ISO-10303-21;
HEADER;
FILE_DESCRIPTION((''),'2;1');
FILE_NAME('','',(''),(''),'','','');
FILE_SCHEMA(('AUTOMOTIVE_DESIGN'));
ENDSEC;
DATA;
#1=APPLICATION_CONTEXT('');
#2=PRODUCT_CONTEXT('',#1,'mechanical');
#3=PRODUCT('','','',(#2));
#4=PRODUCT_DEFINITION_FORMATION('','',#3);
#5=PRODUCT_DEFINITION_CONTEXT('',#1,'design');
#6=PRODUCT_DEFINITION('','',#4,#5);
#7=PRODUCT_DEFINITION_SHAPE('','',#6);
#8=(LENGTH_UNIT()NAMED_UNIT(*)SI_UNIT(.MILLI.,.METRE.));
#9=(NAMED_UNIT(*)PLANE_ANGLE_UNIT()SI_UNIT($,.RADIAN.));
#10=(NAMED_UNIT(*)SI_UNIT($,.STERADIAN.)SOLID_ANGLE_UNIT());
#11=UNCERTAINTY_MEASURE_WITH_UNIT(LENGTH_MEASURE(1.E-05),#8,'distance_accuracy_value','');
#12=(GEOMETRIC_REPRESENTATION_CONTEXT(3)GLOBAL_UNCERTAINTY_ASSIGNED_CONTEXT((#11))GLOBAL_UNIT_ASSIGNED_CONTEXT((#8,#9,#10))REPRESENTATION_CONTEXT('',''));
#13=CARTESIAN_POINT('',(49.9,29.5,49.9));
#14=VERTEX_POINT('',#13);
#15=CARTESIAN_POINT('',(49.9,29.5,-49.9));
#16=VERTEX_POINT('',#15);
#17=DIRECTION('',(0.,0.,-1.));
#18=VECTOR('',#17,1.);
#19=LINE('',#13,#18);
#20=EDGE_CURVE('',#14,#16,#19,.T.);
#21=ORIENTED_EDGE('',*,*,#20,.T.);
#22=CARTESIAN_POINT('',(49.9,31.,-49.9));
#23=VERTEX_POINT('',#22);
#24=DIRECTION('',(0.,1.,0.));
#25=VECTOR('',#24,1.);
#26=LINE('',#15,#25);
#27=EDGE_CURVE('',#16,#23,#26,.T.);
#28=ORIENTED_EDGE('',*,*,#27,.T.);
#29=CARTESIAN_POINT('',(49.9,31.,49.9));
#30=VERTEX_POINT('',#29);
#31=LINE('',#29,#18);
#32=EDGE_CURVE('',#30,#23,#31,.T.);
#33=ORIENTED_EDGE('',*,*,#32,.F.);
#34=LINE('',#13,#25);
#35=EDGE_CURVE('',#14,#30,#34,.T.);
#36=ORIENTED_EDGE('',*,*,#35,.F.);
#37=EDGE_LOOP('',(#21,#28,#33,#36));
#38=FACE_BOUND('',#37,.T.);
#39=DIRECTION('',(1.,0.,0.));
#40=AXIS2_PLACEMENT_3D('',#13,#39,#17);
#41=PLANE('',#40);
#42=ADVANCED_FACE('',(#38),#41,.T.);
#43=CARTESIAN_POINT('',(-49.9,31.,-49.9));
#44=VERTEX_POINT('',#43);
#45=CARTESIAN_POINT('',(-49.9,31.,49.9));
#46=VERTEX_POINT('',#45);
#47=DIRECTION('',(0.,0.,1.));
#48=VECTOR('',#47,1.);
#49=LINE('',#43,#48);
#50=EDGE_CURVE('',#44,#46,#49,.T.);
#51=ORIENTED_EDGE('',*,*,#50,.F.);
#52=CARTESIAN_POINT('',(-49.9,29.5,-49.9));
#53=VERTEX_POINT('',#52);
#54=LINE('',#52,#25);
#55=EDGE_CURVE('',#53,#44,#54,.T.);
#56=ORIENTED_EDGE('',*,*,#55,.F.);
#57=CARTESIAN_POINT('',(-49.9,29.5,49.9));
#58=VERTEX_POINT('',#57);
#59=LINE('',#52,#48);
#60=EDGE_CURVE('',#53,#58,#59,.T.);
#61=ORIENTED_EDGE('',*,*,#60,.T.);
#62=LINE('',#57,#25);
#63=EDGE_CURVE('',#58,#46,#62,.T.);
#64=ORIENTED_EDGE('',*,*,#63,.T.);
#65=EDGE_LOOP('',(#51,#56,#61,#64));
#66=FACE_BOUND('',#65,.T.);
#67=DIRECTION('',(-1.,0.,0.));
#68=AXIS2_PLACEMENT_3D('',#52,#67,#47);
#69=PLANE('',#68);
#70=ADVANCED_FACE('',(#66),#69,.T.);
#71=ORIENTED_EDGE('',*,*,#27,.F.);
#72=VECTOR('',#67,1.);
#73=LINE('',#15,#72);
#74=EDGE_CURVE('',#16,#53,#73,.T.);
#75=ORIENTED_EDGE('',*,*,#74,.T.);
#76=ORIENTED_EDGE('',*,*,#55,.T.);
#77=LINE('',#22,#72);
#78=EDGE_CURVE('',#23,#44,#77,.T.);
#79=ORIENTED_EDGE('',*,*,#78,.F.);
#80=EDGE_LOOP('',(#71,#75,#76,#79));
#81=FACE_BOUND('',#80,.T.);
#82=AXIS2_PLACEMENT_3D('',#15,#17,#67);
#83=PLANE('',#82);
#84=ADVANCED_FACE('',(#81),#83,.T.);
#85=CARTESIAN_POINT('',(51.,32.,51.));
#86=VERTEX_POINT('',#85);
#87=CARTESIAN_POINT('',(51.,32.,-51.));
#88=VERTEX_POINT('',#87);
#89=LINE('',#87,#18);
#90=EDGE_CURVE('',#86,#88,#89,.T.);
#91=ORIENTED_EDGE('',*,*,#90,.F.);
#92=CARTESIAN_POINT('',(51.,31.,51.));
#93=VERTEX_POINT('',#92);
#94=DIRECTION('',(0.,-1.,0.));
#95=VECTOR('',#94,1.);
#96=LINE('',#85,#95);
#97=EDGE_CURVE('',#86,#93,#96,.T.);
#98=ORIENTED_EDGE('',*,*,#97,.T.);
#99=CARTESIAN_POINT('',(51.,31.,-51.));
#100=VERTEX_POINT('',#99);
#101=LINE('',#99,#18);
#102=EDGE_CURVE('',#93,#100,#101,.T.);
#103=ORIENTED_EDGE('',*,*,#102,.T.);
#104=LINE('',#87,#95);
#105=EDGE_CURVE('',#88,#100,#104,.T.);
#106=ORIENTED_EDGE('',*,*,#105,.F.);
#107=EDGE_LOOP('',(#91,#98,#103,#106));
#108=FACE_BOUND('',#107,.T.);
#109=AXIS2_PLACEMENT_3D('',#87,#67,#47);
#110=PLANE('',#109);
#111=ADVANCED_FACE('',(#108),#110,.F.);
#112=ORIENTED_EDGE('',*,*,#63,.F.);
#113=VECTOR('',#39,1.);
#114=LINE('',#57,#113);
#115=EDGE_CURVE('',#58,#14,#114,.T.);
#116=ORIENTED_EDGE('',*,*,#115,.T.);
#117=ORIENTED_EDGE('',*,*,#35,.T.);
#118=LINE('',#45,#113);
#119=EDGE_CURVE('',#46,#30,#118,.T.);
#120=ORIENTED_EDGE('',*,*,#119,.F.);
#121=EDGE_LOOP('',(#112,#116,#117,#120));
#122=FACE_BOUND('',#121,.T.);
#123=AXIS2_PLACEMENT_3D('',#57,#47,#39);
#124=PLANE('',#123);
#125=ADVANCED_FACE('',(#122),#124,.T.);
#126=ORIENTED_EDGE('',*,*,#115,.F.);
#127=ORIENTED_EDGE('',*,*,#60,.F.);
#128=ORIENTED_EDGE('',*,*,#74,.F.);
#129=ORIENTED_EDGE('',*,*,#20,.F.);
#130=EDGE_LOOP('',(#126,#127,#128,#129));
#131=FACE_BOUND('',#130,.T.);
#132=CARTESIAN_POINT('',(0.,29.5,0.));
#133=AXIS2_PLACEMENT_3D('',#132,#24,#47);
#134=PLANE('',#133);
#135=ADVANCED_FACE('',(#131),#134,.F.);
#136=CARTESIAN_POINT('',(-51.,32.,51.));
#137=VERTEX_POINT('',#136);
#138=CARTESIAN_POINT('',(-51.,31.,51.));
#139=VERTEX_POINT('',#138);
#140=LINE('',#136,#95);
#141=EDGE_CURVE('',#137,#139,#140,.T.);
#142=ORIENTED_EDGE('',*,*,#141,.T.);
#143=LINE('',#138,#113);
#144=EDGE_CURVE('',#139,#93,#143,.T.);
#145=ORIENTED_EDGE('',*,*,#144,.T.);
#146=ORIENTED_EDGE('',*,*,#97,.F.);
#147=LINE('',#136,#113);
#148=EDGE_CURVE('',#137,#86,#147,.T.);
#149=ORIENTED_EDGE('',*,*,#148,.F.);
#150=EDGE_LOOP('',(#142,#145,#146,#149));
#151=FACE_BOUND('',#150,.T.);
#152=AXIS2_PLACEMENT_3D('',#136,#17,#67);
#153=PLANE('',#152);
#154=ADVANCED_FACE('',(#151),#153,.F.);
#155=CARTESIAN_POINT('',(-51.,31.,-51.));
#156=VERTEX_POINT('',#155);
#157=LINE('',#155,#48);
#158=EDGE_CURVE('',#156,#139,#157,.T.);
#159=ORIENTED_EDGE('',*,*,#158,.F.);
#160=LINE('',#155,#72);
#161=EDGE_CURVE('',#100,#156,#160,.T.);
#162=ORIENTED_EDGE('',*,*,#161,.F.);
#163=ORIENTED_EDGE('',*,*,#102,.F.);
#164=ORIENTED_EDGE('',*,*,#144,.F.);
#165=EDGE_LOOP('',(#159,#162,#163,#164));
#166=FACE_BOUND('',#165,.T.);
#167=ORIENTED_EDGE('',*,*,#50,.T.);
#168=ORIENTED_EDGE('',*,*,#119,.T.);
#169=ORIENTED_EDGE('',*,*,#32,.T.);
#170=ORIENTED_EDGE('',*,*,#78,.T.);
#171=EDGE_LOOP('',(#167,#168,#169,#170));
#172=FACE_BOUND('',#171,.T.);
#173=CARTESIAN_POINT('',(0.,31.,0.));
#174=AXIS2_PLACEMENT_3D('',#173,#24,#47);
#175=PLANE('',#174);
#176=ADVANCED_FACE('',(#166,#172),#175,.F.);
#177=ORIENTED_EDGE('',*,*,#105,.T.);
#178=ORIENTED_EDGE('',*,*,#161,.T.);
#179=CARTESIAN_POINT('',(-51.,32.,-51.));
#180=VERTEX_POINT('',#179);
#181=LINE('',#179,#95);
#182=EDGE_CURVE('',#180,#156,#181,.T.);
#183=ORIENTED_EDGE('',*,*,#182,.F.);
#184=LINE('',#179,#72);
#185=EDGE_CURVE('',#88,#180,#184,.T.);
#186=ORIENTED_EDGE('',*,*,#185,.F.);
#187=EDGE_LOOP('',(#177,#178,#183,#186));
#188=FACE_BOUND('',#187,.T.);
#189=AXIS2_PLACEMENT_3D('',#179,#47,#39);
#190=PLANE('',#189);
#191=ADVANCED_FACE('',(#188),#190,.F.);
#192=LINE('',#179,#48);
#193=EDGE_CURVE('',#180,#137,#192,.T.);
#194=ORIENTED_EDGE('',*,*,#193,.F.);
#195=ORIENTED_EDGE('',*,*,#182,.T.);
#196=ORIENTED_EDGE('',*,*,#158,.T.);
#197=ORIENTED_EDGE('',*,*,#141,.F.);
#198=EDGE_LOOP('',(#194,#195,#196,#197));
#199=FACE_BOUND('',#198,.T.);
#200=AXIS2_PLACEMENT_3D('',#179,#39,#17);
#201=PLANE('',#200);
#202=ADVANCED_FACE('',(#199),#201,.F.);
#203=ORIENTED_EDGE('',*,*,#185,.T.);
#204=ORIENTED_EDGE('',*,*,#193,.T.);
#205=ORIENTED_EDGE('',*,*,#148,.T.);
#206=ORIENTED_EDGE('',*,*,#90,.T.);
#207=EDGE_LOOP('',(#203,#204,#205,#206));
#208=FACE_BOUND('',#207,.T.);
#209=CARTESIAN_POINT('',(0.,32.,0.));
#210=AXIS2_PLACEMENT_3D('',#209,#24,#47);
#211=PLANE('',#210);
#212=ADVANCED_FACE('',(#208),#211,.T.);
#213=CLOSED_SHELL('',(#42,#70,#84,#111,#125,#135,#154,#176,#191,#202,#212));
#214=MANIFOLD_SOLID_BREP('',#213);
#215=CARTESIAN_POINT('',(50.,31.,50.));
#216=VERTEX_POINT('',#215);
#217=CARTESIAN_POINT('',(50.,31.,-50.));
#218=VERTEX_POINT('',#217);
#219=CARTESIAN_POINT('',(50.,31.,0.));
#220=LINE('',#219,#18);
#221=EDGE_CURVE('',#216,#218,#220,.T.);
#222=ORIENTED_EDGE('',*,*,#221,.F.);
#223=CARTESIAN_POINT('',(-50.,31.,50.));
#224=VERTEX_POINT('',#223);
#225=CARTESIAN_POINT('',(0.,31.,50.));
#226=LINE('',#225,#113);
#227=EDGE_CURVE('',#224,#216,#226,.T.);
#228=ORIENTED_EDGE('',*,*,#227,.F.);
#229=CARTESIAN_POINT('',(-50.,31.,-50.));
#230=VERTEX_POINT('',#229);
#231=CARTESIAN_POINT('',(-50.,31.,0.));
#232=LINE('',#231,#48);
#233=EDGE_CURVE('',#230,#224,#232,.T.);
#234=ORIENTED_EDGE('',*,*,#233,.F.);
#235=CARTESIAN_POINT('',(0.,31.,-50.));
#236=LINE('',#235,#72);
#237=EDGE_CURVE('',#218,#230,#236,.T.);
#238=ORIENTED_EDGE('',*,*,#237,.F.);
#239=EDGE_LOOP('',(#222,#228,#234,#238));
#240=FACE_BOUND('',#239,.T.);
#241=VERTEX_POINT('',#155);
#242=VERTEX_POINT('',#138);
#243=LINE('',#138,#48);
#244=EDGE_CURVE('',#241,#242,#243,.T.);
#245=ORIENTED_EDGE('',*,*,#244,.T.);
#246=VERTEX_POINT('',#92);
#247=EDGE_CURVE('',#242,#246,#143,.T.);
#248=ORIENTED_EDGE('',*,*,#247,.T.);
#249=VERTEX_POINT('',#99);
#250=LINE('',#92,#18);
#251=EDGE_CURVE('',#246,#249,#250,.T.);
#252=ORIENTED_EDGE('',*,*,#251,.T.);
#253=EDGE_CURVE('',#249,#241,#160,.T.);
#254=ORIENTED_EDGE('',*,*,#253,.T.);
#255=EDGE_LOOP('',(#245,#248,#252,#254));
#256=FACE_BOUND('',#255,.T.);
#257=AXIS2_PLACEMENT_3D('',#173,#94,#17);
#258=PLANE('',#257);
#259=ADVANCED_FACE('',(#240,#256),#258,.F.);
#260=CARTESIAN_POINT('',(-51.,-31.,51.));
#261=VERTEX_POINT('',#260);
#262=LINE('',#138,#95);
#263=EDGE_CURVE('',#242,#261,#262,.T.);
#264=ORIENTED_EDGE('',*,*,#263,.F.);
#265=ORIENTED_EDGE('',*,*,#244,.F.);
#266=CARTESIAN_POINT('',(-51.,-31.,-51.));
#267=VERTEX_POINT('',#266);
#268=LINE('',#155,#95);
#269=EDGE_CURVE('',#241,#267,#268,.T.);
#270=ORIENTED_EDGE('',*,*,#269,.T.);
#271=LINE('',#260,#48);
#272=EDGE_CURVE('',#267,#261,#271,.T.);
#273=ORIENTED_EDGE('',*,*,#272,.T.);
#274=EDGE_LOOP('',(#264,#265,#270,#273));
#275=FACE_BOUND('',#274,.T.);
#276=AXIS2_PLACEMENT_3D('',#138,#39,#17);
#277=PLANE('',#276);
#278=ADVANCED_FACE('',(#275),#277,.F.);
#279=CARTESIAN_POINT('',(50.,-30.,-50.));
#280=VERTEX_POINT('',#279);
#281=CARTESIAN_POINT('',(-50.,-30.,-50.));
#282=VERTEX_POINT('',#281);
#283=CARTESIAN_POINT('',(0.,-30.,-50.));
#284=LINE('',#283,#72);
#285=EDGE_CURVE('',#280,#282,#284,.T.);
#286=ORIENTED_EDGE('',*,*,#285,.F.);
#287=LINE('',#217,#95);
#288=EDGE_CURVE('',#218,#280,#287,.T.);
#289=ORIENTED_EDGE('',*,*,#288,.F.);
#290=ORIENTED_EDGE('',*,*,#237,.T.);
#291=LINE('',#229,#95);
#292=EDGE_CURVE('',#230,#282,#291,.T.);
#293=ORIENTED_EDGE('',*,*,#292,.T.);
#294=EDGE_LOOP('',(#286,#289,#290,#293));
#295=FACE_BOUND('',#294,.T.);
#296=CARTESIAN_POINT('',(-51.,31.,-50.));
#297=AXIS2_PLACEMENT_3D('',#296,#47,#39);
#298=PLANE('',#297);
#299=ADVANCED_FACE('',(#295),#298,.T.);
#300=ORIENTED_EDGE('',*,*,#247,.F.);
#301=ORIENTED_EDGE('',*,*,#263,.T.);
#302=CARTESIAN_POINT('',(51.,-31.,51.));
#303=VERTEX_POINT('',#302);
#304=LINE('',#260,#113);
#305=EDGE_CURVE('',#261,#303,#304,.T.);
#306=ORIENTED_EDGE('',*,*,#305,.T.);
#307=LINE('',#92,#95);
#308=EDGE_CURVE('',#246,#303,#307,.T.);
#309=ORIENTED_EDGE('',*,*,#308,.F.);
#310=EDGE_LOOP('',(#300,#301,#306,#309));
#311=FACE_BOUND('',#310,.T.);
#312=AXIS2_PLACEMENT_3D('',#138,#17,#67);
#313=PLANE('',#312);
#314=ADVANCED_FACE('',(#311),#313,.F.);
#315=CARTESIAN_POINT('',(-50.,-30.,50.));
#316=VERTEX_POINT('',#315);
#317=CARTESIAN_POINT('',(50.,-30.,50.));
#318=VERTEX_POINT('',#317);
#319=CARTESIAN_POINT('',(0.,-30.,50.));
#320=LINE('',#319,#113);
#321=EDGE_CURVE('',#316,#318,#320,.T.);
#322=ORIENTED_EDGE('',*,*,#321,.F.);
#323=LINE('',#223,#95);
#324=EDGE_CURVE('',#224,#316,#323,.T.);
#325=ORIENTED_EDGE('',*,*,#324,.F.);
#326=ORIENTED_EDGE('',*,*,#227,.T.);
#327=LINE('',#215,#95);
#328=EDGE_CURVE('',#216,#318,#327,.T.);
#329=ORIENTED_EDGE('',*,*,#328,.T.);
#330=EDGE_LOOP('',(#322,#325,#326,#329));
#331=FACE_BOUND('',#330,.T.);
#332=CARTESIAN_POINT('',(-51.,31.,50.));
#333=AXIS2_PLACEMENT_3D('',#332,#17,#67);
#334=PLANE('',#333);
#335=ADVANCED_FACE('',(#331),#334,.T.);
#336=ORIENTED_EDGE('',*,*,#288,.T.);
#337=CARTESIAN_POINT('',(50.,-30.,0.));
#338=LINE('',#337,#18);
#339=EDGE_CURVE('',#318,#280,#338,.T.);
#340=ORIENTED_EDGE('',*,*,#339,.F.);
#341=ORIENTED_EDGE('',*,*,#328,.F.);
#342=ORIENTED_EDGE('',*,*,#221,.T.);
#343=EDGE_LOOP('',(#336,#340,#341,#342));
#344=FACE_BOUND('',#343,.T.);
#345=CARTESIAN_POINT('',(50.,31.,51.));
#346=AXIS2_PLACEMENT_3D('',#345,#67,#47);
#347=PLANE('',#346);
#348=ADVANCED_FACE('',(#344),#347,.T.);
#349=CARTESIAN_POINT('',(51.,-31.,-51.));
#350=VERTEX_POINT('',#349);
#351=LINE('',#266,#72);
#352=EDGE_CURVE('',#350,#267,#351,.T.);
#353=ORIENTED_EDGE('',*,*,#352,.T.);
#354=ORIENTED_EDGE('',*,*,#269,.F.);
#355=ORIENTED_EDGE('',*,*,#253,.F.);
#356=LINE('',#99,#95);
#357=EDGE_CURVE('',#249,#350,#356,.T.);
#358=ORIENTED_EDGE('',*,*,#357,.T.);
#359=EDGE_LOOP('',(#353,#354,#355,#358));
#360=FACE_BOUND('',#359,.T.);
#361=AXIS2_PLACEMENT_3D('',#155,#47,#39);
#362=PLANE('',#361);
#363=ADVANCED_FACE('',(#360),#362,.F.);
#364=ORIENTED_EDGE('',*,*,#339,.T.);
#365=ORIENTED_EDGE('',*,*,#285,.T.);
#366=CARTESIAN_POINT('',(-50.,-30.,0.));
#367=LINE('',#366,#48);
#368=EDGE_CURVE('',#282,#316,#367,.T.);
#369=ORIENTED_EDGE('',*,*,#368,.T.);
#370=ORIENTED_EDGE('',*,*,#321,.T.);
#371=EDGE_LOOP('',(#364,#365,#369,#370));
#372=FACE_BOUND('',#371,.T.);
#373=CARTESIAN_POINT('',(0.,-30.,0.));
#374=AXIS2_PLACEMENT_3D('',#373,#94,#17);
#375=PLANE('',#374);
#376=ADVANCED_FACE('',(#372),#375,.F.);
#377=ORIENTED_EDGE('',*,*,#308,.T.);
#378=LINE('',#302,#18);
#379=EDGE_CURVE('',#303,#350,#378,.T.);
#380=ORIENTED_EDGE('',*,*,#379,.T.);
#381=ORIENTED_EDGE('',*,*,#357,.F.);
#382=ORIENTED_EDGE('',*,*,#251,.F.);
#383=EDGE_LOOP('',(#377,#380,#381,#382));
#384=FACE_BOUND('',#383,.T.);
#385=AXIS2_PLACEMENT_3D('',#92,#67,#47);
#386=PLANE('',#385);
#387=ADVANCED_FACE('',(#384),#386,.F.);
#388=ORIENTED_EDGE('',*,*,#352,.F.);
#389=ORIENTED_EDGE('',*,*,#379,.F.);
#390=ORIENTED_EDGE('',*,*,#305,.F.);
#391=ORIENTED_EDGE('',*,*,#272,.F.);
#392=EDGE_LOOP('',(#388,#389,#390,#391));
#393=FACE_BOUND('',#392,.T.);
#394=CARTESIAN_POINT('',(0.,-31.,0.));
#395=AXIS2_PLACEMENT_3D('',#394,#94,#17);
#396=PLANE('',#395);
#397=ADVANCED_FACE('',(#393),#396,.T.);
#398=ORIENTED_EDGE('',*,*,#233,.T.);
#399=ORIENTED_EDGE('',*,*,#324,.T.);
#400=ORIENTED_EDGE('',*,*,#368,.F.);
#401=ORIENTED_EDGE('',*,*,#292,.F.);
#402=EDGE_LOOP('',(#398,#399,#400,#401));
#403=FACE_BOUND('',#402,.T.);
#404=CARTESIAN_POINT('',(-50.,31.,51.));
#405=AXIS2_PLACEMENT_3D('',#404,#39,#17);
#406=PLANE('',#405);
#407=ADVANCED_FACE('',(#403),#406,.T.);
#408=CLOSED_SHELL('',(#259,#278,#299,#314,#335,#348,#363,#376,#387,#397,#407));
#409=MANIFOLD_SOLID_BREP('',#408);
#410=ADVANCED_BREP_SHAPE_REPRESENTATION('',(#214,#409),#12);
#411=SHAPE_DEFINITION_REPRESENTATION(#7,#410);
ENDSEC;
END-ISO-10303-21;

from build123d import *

# Parameters (mm, degrees)
SKETCH2_W           = 102
SKETCH2_H           = 102
BOSS_EXTRUDE1_DEPTH = 31
SHELL1_T            = -1
SKETCH3_W           = 99.8
SKETCH3_H           = 99.8
BOSS_EXTRUDE2_DEPTH = 1.5
SKETCH4_W           = 102
SKETCH4_H           = 102
BOSS_EXTRUDE3_DEPTH = 1


with BuildPart() as part:
    # Sketch2 → Boss-Extrude1 (new, symmetric)
    with BuildSketch(Plane(origin=(0, 0, 0), x_dir=(1, 0, 0), z_dir=(0, 1, 0))):
        Rectangle(SKETCH2_W, SKETCH2_H)
    extrude(amount=BOSS_EXTRUDE1_DEPTH, both=True)

    # Shell1
    shell1_openings = [part.faces().sort_by_distance(p)[0] for p in [
        (0, 31, 0),
    ]]
    offset(amount=SHELL1_T, openings=shell1_openings, kind=Kind.INTERSECTION)


with BuildPart() as body_2:
    # Sketch3 → Boss-Extrude2 (new body)
    with BuildSketch(Plane(origin=(0, 31, 0), x_dir=(1, 0, 0), z_dir=(0, 1, 0))):
        Rectangle(SKETCH3_W, SKETCH3_H)
    extrude(amount=-BOSS_EXTRUDE2_DEPTH)

    # Sketch4 → Boss-Extrude3 (add)
    with BuildSketch(Plane(origin=(0, 31, 0), x_dir=(1, 0, 0), z_dir=(0, 1, 0))):
        Rectangle(SKETCH4_W, SKETCH4_H)
    extrude(amount=BOSS_EXTRUDE3_DEPTH)


solid = Compound([part.part, body_2.part])
